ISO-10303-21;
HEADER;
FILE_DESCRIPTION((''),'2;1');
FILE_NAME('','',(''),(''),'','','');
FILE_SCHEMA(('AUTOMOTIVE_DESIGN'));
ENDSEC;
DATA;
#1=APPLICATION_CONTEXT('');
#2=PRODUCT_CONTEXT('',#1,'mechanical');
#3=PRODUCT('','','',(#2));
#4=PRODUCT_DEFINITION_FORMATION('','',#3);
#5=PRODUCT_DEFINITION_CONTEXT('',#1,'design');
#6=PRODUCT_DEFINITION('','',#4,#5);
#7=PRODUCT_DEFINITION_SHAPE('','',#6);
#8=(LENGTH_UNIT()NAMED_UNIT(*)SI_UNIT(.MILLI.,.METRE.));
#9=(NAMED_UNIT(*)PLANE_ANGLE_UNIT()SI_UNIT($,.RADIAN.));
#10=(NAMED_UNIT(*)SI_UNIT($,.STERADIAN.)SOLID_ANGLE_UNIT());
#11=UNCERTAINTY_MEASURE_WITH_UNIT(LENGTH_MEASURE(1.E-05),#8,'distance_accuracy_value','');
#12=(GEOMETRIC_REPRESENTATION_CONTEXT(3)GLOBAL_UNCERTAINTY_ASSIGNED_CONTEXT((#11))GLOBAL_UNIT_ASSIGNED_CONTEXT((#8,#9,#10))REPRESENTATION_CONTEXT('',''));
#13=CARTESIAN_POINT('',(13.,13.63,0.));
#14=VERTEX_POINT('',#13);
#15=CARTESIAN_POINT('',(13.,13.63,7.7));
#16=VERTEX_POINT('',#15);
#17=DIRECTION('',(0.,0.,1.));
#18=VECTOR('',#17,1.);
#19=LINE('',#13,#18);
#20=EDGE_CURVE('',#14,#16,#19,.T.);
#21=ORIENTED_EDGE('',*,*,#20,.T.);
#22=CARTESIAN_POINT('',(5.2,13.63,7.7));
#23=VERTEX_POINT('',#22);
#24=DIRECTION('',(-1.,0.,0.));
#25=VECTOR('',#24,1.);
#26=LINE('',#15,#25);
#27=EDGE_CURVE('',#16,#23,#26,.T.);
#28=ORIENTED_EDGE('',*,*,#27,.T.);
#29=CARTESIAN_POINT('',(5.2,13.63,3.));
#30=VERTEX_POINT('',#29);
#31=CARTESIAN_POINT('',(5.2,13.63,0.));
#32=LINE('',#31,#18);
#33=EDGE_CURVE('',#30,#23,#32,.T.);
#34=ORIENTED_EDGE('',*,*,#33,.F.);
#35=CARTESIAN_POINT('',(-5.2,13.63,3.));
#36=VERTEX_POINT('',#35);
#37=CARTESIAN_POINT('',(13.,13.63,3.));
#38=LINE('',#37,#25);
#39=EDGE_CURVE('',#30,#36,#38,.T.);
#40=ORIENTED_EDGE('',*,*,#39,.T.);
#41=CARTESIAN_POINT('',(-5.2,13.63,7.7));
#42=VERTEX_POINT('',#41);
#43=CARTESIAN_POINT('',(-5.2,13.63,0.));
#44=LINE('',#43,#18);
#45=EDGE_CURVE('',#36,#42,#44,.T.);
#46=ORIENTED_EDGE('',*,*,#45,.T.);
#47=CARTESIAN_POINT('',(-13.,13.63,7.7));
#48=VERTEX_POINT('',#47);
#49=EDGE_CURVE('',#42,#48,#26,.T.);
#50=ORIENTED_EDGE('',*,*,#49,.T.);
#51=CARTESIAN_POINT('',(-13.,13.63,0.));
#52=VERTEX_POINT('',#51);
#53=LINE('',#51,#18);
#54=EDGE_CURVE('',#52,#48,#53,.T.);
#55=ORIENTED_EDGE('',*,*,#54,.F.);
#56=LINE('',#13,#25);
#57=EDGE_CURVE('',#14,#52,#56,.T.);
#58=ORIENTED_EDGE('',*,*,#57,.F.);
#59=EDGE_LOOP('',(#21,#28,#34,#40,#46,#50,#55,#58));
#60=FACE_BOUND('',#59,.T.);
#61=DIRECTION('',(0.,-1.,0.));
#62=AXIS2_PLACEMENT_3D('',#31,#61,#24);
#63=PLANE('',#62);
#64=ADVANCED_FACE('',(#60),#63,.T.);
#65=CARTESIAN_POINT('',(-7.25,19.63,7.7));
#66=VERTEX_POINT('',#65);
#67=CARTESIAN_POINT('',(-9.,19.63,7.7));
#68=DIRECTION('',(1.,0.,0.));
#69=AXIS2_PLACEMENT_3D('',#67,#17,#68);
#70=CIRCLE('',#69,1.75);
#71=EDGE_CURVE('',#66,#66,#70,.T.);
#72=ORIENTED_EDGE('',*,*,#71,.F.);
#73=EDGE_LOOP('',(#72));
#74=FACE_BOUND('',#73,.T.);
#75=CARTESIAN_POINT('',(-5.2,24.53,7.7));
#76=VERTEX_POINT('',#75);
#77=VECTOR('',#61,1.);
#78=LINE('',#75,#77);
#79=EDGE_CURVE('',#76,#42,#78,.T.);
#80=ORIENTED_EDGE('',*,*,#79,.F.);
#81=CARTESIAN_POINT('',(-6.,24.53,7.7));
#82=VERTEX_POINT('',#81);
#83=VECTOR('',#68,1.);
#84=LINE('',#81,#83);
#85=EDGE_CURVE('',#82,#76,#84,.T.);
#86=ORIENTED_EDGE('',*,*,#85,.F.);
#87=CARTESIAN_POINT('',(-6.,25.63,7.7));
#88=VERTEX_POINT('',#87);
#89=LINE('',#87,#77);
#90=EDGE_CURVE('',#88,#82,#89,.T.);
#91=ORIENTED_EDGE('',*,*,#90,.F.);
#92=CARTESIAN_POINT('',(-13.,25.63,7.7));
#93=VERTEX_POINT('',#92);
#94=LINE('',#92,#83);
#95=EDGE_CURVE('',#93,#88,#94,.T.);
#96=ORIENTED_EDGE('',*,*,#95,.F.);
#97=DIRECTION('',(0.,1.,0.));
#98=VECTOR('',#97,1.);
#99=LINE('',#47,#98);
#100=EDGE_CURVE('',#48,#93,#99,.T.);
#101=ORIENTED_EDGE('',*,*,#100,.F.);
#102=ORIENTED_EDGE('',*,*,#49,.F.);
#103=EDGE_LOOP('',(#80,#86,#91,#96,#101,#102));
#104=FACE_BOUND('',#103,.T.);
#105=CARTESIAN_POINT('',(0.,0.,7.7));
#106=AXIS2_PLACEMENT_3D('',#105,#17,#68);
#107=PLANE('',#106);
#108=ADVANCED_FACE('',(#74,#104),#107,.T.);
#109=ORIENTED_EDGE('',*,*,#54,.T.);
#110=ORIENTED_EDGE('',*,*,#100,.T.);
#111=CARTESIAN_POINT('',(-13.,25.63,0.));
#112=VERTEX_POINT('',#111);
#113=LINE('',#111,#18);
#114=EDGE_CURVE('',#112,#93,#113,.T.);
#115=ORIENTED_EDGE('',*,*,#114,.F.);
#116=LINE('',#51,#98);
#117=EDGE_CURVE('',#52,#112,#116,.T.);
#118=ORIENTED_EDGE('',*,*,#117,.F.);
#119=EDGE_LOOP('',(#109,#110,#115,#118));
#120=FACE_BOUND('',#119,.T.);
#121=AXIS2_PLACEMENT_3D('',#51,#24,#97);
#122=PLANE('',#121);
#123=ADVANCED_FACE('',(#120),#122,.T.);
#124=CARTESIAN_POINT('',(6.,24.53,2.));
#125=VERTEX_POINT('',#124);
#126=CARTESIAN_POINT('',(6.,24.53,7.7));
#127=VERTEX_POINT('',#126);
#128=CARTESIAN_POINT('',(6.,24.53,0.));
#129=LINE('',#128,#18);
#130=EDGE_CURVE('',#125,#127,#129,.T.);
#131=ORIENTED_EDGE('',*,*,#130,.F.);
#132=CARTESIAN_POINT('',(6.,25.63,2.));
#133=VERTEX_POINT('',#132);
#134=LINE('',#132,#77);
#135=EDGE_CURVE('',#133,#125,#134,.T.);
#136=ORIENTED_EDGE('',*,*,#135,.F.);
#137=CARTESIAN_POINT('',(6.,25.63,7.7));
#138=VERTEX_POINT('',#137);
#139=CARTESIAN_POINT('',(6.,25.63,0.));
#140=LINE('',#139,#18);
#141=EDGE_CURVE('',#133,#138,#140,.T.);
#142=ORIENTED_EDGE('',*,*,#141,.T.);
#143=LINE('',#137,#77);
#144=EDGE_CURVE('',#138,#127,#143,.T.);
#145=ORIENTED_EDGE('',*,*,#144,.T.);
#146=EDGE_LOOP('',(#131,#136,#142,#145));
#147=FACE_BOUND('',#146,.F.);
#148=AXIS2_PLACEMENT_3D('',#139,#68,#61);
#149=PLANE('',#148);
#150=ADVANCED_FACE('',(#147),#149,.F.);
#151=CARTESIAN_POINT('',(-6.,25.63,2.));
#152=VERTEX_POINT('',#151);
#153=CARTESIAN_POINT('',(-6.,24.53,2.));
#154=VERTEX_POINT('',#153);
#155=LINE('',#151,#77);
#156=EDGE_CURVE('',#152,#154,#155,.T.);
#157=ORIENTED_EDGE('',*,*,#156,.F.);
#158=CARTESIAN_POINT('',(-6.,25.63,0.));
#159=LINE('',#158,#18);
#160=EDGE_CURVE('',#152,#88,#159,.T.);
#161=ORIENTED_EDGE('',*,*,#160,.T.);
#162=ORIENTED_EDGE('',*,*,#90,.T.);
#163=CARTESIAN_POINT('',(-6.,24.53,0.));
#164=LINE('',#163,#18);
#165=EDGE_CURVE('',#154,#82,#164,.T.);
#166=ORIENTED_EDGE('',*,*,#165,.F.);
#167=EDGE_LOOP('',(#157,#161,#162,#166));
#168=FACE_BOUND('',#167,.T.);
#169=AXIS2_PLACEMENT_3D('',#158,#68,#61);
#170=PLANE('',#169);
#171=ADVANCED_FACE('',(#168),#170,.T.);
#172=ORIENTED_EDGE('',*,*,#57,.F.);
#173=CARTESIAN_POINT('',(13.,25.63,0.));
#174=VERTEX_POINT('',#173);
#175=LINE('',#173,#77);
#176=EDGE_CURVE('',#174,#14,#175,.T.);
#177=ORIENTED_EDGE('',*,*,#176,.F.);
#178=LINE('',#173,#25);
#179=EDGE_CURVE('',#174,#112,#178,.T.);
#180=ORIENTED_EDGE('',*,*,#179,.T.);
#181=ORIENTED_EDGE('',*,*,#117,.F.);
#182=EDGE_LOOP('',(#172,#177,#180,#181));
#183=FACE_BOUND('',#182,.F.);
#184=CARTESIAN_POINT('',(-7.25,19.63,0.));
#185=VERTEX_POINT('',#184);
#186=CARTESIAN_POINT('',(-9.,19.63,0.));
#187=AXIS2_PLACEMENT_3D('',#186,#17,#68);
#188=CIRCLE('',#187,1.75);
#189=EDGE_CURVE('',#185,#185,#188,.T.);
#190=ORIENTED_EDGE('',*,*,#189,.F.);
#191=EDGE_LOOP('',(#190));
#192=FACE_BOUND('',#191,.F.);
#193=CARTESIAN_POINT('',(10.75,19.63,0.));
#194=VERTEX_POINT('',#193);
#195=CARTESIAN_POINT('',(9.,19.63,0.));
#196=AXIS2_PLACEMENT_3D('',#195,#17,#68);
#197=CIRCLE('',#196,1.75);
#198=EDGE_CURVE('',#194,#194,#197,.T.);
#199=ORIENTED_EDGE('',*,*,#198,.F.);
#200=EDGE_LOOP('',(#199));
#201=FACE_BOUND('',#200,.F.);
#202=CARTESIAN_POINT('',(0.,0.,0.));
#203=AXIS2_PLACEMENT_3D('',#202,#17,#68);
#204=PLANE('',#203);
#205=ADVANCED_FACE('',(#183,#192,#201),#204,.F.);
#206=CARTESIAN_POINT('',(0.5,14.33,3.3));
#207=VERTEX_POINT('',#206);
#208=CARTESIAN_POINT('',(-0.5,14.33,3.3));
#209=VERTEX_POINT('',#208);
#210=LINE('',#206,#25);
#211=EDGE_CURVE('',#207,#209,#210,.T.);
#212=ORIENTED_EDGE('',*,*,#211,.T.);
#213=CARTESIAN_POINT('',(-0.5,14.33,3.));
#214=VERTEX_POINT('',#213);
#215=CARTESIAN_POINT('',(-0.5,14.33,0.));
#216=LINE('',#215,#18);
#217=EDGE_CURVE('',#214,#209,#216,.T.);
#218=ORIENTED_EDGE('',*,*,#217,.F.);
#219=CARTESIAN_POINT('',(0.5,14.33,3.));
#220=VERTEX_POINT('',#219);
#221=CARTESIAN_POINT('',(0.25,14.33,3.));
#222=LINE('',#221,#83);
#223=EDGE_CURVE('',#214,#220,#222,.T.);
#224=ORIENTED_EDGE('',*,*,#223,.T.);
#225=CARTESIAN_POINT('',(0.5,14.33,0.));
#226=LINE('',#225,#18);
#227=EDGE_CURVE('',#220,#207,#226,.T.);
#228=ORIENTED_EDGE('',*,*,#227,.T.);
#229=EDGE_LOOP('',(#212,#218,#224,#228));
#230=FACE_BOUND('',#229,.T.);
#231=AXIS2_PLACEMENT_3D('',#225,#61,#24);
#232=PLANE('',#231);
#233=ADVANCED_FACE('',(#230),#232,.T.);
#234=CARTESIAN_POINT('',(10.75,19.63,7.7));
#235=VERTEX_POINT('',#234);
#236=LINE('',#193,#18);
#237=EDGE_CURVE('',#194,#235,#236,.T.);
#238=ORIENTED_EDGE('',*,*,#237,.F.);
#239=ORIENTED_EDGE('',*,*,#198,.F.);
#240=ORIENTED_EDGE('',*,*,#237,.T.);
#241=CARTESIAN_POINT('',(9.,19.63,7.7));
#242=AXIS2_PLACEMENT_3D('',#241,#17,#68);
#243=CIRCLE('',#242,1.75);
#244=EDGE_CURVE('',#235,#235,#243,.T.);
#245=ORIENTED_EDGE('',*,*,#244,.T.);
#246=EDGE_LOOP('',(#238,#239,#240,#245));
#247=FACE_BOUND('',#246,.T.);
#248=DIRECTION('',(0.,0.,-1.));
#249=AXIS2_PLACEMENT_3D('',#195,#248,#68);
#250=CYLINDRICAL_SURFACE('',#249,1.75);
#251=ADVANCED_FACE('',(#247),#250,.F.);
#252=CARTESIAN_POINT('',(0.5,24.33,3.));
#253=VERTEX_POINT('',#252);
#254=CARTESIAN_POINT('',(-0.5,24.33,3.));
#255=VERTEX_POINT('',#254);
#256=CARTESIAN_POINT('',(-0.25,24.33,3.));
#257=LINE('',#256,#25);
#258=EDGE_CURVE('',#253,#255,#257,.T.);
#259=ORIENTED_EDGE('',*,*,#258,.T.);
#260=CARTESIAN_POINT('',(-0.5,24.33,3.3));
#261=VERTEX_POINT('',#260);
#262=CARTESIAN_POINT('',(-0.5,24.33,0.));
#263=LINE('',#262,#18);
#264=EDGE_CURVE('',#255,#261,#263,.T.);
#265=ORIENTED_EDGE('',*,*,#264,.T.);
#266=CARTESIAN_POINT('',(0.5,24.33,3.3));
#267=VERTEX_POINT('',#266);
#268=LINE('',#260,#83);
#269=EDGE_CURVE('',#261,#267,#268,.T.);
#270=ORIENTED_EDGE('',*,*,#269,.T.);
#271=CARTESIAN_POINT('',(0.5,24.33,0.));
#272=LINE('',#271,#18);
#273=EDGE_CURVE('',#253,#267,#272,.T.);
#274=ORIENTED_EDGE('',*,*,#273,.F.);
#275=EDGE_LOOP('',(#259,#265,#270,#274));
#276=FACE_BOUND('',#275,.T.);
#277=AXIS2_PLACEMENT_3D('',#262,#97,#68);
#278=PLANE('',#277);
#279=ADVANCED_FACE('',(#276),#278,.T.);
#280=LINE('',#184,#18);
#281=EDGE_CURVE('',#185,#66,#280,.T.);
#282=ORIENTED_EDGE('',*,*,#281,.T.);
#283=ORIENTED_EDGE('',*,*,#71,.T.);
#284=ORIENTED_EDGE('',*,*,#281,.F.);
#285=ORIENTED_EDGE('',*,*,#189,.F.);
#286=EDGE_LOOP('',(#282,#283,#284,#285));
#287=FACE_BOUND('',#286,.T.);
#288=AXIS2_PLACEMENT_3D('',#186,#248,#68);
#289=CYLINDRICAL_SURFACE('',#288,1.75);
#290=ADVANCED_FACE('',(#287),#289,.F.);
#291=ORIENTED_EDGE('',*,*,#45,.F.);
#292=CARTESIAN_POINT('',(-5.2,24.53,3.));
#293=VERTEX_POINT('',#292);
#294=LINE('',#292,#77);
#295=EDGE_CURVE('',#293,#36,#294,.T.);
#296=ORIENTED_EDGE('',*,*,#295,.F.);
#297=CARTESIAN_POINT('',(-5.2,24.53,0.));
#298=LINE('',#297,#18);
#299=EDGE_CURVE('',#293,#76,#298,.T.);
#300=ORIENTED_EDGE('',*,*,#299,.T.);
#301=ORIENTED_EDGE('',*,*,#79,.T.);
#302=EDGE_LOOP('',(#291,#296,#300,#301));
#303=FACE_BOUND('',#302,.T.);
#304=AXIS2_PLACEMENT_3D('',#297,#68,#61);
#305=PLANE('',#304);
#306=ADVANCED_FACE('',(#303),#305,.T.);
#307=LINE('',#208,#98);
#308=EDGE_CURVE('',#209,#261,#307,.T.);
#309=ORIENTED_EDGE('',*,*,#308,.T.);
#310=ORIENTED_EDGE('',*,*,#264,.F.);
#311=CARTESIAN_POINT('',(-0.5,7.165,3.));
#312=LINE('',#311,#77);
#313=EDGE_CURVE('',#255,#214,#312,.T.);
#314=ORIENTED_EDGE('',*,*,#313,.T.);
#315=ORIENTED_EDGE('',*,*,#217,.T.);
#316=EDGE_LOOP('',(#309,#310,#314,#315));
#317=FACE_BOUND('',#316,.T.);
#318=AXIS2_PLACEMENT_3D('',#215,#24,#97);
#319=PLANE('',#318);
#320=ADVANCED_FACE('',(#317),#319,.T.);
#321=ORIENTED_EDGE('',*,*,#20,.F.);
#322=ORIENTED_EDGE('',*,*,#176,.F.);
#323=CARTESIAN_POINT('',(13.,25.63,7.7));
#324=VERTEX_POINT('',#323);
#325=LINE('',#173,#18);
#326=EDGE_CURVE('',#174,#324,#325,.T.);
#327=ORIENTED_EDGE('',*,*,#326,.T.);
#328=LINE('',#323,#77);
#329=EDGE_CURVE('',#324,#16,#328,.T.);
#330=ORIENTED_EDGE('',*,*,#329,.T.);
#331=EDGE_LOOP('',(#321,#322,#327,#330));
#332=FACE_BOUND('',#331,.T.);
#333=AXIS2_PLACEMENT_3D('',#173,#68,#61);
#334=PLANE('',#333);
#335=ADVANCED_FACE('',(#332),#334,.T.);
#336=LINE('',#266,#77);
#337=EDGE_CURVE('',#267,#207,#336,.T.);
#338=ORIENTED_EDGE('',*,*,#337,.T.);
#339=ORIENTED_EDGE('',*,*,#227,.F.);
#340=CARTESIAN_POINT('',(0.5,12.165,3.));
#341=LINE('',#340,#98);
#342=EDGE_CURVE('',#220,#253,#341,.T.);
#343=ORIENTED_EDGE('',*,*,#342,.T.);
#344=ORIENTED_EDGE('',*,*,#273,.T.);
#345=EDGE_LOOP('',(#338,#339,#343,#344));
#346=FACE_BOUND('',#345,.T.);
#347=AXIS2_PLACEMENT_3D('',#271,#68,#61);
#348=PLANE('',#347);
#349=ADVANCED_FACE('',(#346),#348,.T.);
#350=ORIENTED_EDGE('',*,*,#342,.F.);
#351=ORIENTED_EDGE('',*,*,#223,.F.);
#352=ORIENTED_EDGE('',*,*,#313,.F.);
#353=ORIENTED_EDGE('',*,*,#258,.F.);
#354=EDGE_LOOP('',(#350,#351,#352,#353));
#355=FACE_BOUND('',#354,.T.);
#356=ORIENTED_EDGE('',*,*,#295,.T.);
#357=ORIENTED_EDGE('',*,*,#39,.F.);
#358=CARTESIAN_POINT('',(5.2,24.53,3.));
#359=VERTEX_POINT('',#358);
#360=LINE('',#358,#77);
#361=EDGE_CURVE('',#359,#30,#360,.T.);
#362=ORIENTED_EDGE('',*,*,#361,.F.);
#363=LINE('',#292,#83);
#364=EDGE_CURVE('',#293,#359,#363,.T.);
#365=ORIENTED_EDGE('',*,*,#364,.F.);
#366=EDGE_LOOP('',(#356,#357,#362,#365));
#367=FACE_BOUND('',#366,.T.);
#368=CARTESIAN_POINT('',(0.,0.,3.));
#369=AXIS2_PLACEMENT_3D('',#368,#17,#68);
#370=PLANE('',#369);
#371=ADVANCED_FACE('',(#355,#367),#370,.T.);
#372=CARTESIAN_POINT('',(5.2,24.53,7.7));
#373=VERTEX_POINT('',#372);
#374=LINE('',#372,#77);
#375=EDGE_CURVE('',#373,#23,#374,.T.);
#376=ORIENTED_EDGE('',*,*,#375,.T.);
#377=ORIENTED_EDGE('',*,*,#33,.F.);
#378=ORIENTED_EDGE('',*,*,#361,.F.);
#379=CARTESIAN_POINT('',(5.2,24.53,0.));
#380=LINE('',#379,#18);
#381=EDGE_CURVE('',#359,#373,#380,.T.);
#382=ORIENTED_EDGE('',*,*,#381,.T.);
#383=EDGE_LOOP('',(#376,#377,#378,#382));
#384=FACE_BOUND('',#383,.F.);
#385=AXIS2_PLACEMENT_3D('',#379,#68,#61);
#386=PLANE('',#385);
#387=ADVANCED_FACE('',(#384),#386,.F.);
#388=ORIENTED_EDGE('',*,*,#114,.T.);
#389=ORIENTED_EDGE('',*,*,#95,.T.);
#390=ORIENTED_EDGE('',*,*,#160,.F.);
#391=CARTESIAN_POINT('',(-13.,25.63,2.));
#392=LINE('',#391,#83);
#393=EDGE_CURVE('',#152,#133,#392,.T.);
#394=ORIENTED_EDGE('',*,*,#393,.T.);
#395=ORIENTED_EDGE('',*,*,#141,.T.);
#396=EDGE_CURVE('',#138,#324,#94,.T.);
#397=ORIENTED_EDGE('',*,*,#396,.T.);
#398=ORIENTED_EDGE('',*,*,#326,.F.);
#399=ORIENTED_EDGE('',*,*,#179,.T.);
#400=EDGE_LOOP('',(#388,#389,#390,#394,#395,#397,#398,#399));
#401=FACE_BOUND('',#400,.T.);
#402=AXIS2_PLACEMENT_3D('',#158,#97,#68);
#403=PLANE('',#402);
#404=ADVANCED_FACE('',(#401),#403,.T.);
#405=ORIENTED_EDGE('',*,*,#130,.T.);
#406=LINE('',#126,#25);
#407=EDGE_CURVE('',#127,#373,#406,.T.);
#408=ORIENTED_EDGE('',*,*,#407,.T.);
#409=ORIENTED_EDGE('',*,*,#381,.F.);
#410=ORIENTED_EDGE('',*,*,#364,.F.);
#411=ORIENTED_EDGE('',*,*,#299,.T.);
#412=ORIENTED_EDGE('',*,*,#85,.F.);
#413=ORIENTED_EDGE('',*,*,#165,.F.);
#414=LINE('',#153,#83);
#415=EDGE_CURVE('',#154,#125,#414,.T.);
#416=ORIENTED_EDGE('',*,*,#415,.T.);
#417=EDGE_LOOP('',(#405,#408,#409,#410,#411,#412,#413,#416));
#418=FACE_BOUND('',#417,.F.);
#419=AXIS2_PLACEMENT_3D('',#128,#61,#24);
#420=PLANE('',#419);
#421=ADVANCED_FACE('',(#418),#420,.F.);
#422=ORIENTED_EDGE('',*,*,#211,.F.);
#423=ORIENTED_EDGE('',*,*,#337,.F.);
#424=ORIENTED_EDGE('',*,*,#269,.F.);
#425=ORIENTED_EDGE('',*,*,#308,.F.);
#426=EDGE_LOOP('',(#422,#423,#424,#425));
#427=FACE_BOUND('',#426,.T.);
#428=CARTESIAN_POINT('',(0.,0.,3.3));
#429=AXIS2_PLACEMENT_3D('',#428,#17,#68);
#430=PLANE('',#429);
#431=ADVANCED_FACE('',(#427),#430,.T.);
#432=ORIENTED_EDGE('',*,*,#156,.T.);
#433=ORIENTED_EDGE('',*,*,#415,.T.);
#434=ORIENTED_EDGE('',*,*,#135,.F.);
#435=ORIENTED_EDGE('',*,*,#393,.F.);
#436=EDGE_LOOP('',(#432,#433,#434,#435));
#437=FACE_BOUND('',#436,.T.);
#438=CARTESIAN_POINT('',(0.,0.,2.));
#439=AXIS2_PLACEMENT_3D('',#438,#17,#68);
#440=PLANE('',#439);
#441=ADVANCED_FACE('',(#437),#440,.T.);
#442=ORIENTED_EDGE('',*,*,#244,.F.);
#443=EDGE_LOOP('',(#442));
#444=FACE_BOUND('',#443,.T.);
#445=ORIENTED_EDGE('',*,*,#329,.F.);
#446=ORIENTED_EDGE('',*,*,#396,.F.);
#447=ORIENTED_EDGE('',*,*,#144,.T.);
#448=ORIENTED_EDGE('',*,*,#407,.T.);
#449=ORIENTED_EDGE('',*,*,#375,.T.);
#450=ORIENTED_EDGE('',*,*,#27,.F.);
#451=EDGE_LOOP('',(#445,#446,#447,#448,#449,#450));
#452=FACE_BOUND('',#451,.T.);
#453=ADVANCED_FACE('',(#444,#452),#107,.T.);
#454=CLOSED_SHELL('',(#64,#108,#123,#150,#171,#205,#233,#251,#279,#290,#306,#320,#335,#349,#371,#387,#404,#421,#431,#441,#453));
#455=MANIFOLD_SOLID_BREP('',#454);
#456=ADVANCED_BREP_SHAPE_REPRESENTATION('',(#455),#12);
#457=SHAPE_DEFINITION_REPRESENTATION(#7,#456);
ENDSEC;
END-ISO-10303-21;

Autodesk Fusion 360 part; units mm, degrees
sketch "Sketch1" plane through (0, 0, 0) normal (0, 0, 1) x (1, 0, 0) in component "PlugMountSmall"
  line L0 (-13, 25.63) -> (13, 25.63)
  line L1 (13, 25.63) -> (13, 13.63)
  line L2 (13, 13.63) -> (-13, 13.63)
  line L3 (-13, 13.63) -> (-13, 25.63)
  line L4 (0, 25.63) -> (0, 13.63) construction
  line L5 (13, 19.63) -> (-13, 19.63) construction
  line L6 (-0.5, 24.33) -> (0.5, 24.33)
  line L7 (0.5, 24.33) -> (0.5, 14.33)
  line L8 (0.5, 14.33) -> (-0.5, 14.33)
  line L9 (-0.5, 14.33) -> (-0.5, 24.33)
  line L10 (-6, 25.63) -> (-6, 24.53)
  line L11 (-6, 24.53) -> (-5.2, 24.53)
  line L12 (-5.2, 24.53) -> (-5.2, 13.63)
  circle A0 centre (-9, 19.63) radius 1.75
  circle A1 centre (9, 19.63) radius 1.75
  line L13 (5.2, 24.53) -> (5.2, 13.63)
  line L14 (6, 24.53) -> (5.2, 24.53)
  line L15 (6, 25.63) -> (6, 24.53)
  line L16 (-5.2, 24.53) -> (5.2, 24.53)
  dimension "d44_1" = 26
  dimension "d45_1" = 12
  dimension "d46_1" = 10
  dimension "d47_1" = 1.3
  dimension "d48_1" = 1
  dimension "d49_1" = 0.5
  dimension "d50_1" = 3.5
  dimension "d51_1" = 0.8
  dimension "d52_1" = 1.1
  dimension "d53_1" = 7
  dimension "d54_1" = 4
extrude "Extrude1" add sketch "Sketch1" along normal blind 3 contours L2 L12 L13 L16 | L6 L7 L8 L9 in component "PlugMountSmall"
extrude "Extrude2" add sketch "Sketch1" along normal blind 3.3 contours L6 L7 L8 L9 in component "PlugMountSmall"
extrude "Extrude3" add sketch "Sketch1" along normal blind 2 contours L0 L10 L11 L14 L15 L16 in component "PlugMountSmall"
extrude "Extrude4" add sketch "Sketch1" along normal blind 7.7 contours L0 L2 L3 L10 L11 L12 | L0 L1 L2 L13 L14 L15 in component "PlugMountSmall"
component "PlugMountSmall" placed x (1, 0, 0) y (0, 1, 0) z (0, 0, 1) at (0, 0, 0)
